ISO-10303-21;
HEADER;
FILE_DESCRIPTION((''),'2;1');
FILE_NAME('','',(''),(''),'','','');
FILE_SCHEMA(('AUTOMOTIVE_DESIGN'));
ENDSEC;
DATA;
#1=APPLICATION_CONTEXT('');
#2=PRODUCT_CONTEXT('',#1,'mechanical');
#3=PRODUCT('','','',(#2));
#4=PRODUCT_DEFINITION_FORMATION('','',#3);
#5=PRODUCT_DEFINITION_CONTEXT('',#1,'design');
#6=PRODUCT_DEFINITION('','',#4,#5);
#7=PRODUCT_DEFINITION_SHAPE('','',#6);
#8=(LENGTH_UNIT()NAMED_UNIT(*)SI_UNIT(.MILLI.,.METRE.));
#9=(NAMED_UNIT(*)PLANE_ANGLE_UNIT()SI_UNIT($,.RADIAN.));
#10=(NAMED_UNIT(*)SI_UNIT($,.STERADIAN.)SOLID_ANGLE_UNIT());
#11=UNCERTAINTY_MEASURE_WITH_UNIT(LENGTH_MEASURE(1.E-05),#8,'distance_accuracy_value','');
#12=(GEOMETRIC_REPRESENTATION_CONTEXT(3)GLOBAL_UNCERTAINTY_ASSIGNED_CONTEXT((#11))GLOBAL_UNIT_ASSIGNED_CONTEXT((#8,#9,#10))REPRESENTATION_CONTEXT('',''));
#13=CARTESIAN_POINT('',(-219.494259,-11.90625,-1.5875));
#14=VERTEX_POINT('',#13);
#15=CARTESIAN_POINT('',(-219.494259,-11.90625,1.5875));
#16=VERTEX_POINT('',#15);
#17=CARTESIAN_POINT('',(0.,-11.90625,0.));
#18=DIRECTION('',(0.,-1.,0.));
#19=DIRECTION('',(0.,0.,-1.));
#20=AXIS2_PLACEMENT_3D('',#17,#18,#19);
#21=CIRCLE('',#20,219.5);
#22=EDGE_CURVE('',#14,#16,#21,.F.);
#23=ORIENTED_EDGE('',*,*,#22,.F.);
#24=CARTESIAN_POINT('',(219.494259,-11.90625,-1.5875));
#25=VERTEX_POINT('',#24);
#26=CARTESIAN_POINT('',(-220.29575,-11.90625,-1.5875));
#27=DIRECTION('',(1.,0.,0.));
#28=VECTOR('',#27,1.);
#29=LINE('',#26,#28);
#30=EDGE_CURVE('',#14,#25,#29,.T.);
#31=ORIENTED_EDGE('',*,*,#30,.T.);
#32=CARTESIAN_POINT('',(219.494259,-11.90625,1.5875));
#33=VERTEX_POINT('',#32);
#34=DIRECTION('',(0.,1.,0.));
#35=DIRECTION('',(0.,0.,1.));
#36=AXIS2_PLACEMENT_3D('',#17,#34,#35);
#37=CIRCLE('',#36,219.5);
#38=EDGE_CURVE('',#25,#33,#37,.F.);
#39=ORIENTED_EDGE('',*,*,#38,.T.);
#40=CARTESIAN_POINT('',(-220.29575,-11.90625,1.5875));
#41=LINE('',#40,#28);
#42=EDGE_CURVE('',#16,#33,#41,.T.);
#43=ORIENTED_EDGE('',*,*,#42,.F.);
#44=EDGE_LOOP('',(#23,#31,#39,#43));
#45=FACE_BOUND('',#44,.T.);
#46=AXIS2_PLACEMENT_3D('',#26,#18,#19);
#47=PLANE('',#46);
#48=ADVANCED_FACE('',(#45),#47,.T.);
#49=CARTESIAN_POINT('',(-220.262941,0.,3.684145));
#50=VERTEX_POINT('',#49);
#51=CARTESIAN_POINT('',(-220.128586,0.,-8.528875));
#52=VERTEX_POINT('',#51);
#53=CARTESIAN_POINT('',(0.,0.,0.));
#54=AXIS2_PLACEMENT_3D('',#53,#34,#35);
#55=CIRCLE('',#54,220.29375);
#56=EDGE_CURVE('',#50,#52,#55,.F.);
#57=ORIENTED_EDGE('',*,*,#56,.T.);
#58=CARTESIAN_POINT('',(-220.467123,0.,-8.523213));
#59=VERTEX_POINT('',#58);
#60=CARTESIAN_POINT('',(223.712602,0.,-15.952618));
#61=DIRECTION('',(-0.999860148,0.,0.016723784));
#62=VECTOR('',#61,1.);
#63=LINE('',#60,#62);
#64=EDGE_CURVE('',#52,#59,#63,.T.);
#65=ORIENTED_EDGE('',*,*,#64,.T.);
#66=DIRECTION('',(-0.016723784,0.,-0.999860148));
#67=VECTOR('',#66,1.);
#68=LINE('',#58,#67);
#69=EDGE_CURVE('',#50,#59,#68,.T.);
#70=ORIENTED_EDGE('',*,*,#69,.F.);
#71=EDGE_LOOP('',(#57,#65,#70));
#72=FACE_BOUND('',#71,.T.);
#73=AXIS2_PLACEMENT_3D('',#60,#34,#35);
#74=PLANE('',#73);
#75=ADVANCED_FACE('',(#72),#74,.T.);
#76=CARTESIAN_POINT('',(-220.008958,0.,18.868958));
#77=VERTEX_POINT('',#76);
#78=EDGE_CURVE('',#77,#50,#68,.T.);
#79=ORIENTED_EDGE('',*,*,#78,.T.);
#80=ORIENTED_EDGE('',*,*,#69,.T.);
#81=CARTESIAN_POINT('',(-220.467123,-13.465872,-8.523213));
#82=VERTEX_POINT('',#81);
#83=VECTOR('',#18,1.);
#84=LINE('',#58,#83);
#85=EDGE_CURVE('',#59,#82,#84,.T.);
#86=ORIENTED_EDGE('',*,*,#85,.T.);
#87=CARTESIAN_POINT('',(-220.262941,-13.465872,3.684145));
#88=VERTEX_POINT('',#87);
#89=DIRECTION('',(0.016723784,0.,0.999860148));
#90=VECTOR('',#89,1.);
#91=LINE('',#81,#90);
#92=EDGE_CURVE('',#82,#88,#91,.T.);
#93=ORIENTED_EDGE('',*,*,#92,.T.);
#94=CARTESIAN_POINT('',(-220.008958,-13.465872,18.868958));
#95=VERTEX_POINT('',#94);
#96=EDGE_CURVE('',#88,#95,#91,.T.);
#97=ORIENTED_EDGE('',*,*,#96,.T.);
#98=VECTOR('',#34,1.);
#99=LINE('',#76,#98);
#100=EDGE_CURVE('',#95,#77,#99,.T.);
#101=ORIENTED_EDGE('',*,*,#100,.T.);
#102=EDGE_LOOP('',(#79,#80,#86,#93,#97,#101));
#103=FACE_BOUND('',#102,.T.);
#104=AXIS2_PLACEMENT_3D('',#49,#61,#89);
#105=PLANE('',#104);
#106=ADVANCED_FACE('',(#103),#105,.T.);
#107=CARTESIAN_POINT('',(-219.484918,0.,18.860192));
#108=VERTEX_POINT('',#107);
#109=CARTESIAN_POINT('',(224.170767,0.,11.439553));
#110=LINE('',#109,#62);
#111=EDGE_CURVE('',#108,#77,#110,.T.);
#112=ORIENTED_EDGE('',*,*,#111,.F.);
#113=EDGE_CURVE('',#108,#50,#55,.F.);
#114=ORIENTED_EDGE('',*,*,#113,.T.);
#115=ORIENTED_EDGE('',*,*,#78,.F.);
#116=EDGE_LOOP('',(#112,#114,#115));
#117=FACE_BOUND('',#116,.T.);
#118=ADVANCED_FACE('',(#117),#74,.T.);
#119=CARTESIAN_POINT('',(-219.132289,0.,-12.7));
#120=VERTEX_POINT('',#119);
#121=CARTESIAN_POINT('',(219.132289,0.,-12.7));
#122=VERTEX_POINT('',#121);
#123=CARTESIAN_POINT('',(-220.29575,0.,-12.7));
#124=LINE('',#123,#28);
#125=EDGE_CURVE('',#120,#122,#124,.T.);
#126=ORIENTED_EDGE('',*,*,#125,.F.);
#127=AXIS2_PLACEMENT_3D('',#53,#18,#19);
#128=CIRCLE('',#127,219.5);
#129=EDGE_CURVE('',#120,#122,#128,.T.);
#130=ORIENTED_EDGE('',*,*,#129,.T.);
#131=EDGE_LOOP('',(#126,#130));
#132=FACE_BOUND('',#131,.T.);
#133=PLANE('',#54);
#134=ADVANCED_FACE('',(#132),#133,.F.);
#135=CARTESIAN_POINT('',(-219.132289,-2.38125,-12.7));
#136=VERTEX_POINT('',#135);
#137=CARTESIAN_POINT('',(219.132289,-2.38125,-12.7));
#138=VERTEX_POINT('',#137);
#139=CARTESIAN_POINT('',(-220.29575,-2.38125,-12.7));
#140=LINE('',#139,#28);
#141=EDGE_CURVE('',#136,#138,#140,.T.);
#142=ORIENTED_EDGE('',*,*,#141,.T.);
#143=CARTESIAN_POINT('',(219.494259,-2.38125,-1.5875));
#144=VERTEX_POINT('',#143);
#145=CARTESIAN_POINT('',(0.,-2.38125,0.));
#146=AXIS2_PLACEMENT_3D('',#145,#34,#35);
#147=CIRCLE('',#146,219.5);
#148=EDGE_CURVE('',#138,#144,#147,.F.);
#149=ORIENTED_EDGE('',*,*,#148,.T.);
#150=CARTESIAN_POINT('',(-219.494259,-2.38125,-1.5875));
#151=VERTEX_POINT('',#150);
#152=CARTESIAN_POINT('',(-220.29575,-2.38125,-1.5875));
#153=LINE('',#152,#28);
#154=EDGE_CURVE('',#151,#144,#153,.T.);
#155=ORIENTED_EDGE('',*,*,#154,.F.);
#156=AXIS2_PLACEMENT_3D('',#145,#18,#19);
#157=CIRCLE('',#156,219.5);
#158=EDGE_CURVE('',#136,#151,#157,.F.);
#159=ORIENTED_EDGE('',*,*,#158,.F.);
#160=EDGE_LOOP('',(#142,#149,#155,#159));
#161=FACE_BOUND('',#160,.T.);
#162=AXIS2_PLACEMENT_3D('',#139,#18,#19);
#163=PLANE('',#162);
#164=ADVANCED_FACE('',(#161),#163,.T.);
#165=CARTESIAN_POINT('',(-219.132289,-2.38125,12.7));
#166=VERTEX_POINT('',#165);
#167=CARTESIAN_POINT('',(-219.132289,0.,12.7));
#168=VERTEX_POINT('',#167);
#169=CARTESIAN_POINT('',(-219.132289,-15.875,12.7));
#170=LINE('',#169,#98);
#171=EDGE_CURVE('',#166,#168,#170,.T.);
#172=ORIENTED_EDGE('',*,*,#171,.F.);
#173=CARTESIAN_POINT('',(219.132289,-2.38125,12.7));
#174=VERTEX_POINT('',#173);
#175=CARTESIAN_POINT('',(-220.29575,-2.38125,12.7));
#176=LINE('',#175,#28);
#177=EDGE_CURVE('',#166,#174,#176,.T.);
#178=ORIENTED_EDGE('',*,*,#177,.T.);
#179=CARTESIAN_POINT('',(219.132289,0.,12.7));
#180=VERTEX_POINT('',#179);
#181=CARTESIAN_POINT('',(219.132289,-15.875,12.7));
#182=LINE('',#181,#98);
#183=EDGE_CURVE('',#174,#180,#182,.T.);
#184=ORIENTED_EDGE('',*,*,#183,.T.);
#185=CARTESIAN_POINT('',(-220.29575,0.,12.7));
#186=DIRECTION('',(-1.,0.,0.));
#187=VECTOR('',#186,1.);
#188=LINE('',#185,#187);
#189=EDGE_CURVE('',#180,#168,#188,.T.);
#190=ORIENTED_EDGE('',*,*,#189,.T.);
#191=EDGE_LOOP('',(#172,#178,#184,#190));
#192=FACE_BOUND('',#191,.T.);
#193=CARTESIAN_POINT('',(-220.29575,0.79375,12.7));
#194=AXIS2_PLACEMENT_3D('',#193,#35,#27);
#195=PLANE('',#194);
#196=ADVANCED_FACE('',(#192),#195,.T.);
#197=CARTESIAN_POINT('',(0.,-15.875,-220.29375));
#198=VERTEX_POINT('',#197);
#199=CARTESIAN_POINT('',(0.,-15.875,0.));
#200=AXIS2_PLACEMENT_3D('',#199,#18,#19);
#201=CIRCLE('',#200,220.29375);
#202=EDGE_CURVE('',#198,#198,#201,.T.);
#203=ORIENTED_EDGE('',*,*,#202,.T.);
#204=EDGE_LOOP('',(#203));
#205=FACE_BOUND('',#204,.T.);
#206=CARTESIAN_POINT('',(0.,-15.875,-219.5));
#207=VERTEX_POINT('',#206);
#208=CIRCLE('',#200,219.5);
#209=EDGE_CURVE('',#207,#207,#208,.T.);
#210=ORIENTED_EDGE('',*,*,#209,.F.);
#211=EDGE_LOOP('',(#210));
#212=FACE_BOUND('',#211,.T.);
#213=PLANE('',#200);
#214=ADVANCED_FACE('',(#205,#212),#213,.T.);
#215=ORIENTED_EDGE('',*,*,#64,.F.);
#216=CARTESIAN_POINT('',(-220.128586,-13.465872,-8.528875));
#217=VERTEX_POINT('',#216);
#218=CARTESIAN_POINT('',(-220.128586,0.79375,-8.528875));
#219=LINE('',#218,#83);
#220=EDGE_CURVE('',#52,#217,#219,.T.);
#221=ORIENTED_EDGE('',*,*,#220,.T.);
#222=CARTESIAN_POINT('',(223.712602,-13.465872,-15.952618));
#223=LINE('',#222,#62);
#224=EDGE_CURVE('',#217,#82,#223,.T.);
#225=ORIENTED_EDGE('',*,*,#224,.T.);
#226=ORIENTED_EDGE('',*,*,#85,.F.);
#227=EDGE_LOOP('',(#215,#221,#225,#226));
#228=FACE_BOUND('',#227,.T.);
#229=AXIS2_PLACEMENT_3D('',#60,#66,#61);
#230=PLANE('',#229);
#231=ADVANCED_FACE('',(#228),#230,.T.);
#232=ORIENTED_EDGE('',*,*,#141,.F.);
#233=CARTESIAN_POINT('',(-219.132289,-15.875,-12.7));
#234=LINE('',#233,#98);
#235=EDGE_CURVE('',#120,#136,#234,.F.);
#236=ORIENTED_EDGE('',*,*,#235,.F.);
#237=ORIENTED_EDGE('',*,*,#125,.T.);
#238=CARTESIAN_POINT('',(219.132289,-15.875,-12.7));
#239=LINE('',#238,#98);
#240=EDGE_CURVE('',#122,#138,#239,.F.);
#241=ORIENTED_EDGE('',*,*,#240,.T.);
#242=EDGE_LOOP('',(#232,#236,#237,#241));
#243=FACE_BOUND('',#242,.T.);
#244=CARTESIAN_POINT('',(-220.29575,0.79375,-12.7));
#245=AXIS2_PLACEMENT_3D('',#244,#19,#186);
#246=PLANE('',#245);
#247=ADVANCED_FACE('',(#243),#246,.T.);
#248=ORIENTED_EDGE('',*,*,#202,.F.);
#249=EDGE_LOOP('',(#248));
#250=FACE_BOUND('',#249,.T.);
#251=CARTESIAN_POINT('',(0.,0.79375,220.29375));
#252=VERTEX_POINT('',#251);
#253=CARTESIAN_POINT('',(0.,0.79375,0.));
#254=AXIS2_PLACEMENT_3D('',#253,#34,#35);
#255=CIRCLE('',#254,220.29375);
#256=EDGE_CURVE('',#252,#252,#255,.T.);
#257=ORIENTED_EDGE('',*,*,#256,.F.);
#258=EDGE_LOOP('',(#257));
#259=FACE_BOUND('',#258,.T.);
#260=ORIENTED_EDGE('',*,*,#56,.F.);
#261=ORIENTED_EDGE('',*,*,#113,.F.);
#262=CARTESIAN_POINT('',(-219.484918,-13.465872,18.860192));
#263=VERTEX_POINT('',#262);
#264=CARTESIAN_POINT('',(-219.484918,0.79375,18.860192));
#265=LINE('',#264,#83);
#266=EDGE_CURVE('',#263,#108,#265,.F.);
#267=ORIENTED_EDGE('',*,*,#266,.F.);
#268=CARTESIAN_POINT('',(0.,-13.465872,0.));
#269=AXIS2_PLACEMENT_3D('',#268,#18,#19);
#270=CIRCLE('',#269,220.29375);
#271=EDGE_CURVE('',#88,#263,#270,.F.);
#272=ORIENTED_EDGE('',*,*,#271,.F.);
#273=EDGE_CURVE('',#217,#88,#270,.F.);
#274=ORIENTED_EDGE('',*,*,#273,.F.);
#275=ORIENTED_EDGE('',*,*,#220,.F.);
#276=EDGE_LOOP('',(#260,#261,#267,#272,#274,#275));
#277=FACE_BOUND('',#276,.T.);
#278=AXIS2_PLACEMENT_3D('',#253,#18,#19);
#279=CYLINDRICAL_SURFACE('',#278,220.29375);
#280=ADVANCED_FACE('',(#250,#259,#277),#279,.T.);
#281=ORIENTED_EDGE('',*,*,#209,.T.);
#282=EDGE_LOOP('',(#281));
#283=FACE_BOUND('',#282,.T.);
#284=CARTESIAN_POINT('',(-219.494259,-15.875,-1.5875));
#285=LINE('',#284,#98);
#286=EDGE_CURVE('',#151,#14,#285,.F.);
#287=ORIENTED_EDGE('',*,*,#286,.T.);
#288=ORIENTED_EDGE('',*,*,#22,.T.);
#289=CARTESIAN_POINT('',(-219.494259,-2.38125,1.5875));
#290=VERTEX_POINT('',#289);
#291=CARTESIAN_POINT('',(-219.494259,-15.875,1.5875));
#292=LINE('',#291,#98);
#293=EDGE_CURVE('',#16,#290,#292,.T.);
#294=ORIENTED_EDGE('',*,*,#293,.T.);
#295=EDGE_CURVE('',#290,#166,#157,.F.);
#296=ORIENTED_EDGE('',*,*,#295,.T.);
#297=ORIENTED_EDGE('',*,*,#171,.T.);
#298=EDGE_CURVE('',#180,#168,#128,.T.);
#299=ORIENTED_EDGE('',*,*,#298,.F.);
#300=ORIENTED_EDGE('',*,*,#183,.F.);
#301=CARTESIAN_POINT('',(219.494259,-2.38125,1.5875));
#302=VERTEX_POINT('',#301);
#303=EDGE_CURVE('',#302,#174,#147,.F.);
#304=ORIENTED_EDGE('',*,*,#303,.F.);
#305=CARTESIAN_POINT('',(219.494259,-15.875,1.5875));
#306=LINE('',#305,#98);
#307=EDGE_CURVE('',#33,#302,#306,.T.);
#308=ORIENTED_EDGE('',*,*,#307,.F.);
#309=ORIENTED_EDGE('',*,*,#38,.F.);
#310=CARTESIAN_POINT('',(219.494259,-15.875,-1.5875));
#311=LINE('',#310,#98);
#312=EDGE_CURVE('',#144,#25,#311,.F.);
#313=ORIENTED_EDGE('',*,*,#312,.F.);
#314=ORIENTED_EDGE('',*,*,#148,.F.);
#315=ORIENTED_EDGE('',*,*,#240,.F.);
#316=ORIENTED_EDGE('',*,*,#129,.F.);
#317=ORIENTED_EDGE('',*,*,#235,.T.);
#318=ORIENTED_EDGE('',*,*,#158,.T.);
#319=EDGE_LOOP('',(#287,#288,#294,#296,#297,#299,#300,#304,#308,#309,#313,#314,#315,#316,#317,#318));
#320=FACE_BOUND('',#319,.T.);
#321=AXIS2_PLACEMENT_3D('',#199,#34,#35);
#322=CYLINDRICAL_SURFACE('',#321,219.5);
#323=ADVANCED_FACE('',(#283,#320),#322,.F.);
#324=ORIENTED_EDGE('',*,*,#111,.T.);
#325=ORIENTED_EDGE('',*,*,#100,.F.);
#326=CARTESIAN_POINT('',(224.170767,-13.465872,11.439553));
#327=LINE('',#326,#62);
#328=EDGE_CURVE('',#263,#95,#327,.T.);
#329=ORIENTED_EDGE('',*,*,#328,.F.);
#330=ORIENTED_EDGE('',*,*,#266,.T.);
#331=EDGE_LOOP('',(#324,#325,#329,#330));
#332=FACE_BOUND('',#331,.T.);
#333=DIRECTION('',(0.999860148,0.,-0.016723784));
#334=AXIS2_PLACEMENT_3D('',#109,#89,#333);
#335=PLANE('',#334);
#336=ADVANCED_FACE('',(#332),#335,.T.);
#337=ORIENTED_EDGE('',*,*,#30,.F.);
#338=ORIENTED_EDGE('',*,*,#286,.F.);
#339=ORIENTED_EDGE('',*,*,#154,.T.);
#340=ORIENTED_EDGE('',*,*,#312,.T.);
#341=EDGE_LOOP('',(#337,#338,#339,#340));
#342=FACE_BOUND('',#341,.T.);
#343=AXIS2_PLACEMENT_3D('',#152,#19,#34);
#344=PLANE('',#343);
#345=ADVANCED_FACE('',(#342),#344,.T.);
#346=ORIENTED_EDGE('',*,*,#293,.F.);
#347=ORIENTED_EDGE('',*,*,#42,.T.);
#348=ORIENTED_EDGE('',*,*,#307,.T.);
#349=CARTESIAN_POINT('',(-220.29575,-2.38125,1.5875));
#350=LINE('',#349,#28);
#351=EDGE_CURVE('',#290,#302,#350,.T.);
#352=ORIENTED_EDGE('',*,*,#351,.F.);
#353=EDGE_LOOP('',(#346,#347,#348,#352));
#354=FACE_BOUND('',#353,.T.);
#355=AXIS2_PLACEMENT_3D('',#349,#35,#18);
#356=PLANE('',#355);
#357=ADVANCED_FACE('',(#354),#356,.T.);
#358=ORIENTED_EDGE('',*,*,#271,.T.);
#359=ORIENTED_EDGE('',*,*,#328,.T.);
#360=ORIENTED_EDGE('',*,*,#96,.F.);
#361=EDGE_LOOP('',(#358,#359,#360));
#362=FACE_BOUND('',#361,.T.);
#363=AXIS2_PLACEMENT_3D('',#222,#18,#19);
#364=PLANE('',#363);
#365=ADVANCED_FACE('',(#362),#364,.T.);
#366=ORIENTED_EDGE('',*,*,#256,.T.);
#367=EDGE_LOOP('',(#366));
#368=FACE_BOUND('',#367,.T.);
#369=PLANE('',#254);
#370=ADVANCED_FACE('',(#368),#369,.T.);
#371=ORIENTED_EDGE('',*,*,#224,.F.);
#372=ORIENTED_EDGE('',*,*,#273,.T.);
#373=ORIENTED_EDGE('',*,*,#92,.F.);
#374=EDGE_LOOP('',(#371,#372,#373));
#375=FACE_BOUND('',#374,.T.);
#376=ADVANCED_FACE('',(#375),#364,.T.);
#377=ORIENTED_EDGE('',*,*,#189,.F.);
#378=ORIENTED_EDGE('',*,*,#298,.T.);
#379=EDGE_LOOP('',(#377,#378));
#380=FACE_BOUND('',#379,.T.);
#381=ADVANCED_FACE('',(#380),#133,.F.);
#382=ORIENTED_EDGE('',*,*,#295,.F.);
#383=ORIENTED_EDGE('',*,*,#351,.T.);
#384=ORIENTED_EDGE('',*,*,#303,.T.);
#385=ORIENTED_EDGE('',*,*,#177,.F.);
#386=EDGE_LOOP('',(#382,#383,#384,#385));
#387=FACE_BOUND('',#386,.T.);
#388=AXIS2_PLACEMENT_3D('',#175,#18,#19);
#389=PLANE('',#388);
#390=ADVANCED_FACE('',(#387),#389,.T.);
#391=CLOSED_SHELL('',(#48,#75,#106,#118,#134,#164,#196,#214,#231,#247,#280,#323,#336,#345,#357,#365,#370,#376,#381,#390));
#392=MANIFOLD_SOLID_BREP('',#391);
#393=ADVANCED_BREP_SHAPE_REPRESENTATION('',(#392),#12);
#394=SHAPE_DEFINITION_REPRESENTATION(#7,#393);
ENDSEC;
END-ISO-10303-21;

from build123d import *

# Parameters (mm, degrees)
CROQUIS1_R                               = 220.29375
SALIENTE_EXTRUIR1_DEPTH                  = 0.79375
SALIENTE_EXTRUIR2_START                  = 15.875
CROQUIS2_R                               = 220.29375
CROQUIS2_R_2                             = 219.5
SALIENTE_EXTRUIR2_DEPTH                  = 15.875
SALIENTE_EXTRUIR3_REACH                  = 313.947
SALIENTE_EXTRUIR3_END_RADIUS             = 219.5
SALIENTE_EXTRUIR3_DIRECTION_2_REACH      = 313.947
SALIENTE_EXTRUIR3_DIRECTION_2_END_RADIUS = 219.5
SALIENTE_EXTRUIR4_REACH                  = 496.478
SALIENTE_EXTRUIR4_END_RADIUS             = 220.29375
CROQUIS4_W                               = 27.396001645
CROQUIS4_H                               = 13.46587221


with BuildPart() as part:
    # Croquis1 → Saliente-Extruir1 (new body)
    with BuildSketch(Plane(origin=(0, 0, 0), x_dir=(1, 0, 0), z_dir=(0, 1, 0))):
        with Locations(Location((0, 0, 0), (0, 0, 270))):
            Circle(CROQUIS1_R)
    extrude(amount=SALIENTE_EXTRUIR1_DEPTH)

    # Croquis2 → Saliente-Extruir2 (add)
    with BuildSketch(Plane.XZ.offset(SALIENTE_EXTRUIR2_START)):
        with Locations(Location((0, 0, 0), (0, 0, 270))):
            Circle(CROQUIS2_R)
        with Locations(Location((0, 0, 0), (0, 0, 270))):
            Circle(CROQUIS2_R_2, mode=Mode.SUBTRACT)
    extrude(amount=-SALIENTE_EXTRUIR2_DEPTH)

    # Saliente-Extruir3: up to this cylinder (the profile starts inside it)
    saliente_extruir3_end = Plane(origin=(0, -2.525568, 0), z_dir=(0, 1, 0)) * Cylinder(SALIENTE_EXTRUIR3_END_RADIUS, 1067.894, mode=Mode.PRIVATE)
    # Croquis3 → Saliente-Extruir3 (add, up to the surface)
    with BuildSketch(Plane(origin=(0, 0, 0), x_dir=(0, 0, -1), z_dir=(1, 0, 0)), mode=Mode.PRIVATE) as saliente_extruir3_sk1:
        Polygon((-12.7, 0.79375), (12.7, 0.79375), (12.7, -2.38125), (1.5875, -2.38125), (1.5875, -11.90625), (-1.5875, -11.90625), (-1.5875, -2.38125), (-12.7, -2.38125), align=None)
    saliente_extruir3_tool1 = extrude(saliente_extruir3_sk1.sketch, amount=SALIENTE_EXTRUIR3_REACH, mode=Mode.PRIVATE) & saliente_extruir3_end
    add(saliente_extruir3_tool1.solids().sort_by_distance((0, -2.525568, 0))[0])

    # Saliente-Extruir3 direction 2: up to this cylinder (the profile starts inside it)
    saliente_extruir3_direction_2_end = Plane(origin=(0, -2.525568, 0), z_dir=(0, 1, 0)) * Cylinder(SALIENTE_EXTRUIR3_DIRECTION_2_END_RADIUS, 1067.894, mode=Mode.PRIVATE)
    # Croquis3 → Saliente-Extruir3 direction 2 (add, up to the surface)
    with BuildSketch(Plane(origin=(0, 0, 0), x_dir=(0, 0, -1), z_dir=(1, 0, 0)), mode=Mode.PRIVATE) as saliente_extruir3_direction_2_sk1:
        Polygon((-12.7, 0.79375), (12.7, 0.79375), (12.7, -2.38125), (1.5875, -2.38125), (1.5875, -11.90625), (-1.5875, -11.90625), (-1.5875, -2.38125), (-12.7, -2.38125), align=None)
    saliente_extruir3_direction_2_tool1 = extrude(saliente_extruir3_direction_2_sk1.sketch, amount=-SALIENTE_EXTRUIR3_DIRECTION_2_REACH, mode=Mode.PRIVATE) & saliente_extruir3_direction_2_end
    add(saliente_extruir3_direction_2_tool1.solids().sort_by_distance((0, -2.525568, 0))[0])

    # Saliente-Extruir4: up to this cylinder (the profile starts outside it)
    saliente_extruir4_end = Plane(origin=(0, -6.732936, 0), z_dir=(0, -1, 0)) * Cylinder(SALIENTE_EXTRUIR4_END_RADIUS, 1434.5435, mode=Mode.PRIVATE)
    # Croquis4 → Saliente-Extruir4 (add, up to the surface)
    with BuildSketch(Plane(origin=(-220.262941422, 0, 3.684145126), x_dir=(0.01672378415604664, 0, 0.999860147742424), z_dir=(-0.999860147742424, 0, 0.01672378415604664)), mode=Mode.PRIVATE) as saliente_extruir4_sk1:
        with Locations((1.488935582, -6.732936105)):
            Rectangle(CROQUIS4_W, CROQUIS4_H)
    saliente_extruir4_tool1 = extrude(saliente_extruir4_sk1.sketch, amount=-SALIENTE_EXTRUIR4_REACH, mode=Mode.PRIVATE) - saliente_extruir4_end
    add(saliente_extruir4_tool1.solids().sort_by_distance((-220.238041, -6.732936, 5.172872))[0])
    add(saliente_extruir4_tool1.solids().sort_by_distance((-220.238041, -6.732936, 5.172872))[1])


solid = part.part
